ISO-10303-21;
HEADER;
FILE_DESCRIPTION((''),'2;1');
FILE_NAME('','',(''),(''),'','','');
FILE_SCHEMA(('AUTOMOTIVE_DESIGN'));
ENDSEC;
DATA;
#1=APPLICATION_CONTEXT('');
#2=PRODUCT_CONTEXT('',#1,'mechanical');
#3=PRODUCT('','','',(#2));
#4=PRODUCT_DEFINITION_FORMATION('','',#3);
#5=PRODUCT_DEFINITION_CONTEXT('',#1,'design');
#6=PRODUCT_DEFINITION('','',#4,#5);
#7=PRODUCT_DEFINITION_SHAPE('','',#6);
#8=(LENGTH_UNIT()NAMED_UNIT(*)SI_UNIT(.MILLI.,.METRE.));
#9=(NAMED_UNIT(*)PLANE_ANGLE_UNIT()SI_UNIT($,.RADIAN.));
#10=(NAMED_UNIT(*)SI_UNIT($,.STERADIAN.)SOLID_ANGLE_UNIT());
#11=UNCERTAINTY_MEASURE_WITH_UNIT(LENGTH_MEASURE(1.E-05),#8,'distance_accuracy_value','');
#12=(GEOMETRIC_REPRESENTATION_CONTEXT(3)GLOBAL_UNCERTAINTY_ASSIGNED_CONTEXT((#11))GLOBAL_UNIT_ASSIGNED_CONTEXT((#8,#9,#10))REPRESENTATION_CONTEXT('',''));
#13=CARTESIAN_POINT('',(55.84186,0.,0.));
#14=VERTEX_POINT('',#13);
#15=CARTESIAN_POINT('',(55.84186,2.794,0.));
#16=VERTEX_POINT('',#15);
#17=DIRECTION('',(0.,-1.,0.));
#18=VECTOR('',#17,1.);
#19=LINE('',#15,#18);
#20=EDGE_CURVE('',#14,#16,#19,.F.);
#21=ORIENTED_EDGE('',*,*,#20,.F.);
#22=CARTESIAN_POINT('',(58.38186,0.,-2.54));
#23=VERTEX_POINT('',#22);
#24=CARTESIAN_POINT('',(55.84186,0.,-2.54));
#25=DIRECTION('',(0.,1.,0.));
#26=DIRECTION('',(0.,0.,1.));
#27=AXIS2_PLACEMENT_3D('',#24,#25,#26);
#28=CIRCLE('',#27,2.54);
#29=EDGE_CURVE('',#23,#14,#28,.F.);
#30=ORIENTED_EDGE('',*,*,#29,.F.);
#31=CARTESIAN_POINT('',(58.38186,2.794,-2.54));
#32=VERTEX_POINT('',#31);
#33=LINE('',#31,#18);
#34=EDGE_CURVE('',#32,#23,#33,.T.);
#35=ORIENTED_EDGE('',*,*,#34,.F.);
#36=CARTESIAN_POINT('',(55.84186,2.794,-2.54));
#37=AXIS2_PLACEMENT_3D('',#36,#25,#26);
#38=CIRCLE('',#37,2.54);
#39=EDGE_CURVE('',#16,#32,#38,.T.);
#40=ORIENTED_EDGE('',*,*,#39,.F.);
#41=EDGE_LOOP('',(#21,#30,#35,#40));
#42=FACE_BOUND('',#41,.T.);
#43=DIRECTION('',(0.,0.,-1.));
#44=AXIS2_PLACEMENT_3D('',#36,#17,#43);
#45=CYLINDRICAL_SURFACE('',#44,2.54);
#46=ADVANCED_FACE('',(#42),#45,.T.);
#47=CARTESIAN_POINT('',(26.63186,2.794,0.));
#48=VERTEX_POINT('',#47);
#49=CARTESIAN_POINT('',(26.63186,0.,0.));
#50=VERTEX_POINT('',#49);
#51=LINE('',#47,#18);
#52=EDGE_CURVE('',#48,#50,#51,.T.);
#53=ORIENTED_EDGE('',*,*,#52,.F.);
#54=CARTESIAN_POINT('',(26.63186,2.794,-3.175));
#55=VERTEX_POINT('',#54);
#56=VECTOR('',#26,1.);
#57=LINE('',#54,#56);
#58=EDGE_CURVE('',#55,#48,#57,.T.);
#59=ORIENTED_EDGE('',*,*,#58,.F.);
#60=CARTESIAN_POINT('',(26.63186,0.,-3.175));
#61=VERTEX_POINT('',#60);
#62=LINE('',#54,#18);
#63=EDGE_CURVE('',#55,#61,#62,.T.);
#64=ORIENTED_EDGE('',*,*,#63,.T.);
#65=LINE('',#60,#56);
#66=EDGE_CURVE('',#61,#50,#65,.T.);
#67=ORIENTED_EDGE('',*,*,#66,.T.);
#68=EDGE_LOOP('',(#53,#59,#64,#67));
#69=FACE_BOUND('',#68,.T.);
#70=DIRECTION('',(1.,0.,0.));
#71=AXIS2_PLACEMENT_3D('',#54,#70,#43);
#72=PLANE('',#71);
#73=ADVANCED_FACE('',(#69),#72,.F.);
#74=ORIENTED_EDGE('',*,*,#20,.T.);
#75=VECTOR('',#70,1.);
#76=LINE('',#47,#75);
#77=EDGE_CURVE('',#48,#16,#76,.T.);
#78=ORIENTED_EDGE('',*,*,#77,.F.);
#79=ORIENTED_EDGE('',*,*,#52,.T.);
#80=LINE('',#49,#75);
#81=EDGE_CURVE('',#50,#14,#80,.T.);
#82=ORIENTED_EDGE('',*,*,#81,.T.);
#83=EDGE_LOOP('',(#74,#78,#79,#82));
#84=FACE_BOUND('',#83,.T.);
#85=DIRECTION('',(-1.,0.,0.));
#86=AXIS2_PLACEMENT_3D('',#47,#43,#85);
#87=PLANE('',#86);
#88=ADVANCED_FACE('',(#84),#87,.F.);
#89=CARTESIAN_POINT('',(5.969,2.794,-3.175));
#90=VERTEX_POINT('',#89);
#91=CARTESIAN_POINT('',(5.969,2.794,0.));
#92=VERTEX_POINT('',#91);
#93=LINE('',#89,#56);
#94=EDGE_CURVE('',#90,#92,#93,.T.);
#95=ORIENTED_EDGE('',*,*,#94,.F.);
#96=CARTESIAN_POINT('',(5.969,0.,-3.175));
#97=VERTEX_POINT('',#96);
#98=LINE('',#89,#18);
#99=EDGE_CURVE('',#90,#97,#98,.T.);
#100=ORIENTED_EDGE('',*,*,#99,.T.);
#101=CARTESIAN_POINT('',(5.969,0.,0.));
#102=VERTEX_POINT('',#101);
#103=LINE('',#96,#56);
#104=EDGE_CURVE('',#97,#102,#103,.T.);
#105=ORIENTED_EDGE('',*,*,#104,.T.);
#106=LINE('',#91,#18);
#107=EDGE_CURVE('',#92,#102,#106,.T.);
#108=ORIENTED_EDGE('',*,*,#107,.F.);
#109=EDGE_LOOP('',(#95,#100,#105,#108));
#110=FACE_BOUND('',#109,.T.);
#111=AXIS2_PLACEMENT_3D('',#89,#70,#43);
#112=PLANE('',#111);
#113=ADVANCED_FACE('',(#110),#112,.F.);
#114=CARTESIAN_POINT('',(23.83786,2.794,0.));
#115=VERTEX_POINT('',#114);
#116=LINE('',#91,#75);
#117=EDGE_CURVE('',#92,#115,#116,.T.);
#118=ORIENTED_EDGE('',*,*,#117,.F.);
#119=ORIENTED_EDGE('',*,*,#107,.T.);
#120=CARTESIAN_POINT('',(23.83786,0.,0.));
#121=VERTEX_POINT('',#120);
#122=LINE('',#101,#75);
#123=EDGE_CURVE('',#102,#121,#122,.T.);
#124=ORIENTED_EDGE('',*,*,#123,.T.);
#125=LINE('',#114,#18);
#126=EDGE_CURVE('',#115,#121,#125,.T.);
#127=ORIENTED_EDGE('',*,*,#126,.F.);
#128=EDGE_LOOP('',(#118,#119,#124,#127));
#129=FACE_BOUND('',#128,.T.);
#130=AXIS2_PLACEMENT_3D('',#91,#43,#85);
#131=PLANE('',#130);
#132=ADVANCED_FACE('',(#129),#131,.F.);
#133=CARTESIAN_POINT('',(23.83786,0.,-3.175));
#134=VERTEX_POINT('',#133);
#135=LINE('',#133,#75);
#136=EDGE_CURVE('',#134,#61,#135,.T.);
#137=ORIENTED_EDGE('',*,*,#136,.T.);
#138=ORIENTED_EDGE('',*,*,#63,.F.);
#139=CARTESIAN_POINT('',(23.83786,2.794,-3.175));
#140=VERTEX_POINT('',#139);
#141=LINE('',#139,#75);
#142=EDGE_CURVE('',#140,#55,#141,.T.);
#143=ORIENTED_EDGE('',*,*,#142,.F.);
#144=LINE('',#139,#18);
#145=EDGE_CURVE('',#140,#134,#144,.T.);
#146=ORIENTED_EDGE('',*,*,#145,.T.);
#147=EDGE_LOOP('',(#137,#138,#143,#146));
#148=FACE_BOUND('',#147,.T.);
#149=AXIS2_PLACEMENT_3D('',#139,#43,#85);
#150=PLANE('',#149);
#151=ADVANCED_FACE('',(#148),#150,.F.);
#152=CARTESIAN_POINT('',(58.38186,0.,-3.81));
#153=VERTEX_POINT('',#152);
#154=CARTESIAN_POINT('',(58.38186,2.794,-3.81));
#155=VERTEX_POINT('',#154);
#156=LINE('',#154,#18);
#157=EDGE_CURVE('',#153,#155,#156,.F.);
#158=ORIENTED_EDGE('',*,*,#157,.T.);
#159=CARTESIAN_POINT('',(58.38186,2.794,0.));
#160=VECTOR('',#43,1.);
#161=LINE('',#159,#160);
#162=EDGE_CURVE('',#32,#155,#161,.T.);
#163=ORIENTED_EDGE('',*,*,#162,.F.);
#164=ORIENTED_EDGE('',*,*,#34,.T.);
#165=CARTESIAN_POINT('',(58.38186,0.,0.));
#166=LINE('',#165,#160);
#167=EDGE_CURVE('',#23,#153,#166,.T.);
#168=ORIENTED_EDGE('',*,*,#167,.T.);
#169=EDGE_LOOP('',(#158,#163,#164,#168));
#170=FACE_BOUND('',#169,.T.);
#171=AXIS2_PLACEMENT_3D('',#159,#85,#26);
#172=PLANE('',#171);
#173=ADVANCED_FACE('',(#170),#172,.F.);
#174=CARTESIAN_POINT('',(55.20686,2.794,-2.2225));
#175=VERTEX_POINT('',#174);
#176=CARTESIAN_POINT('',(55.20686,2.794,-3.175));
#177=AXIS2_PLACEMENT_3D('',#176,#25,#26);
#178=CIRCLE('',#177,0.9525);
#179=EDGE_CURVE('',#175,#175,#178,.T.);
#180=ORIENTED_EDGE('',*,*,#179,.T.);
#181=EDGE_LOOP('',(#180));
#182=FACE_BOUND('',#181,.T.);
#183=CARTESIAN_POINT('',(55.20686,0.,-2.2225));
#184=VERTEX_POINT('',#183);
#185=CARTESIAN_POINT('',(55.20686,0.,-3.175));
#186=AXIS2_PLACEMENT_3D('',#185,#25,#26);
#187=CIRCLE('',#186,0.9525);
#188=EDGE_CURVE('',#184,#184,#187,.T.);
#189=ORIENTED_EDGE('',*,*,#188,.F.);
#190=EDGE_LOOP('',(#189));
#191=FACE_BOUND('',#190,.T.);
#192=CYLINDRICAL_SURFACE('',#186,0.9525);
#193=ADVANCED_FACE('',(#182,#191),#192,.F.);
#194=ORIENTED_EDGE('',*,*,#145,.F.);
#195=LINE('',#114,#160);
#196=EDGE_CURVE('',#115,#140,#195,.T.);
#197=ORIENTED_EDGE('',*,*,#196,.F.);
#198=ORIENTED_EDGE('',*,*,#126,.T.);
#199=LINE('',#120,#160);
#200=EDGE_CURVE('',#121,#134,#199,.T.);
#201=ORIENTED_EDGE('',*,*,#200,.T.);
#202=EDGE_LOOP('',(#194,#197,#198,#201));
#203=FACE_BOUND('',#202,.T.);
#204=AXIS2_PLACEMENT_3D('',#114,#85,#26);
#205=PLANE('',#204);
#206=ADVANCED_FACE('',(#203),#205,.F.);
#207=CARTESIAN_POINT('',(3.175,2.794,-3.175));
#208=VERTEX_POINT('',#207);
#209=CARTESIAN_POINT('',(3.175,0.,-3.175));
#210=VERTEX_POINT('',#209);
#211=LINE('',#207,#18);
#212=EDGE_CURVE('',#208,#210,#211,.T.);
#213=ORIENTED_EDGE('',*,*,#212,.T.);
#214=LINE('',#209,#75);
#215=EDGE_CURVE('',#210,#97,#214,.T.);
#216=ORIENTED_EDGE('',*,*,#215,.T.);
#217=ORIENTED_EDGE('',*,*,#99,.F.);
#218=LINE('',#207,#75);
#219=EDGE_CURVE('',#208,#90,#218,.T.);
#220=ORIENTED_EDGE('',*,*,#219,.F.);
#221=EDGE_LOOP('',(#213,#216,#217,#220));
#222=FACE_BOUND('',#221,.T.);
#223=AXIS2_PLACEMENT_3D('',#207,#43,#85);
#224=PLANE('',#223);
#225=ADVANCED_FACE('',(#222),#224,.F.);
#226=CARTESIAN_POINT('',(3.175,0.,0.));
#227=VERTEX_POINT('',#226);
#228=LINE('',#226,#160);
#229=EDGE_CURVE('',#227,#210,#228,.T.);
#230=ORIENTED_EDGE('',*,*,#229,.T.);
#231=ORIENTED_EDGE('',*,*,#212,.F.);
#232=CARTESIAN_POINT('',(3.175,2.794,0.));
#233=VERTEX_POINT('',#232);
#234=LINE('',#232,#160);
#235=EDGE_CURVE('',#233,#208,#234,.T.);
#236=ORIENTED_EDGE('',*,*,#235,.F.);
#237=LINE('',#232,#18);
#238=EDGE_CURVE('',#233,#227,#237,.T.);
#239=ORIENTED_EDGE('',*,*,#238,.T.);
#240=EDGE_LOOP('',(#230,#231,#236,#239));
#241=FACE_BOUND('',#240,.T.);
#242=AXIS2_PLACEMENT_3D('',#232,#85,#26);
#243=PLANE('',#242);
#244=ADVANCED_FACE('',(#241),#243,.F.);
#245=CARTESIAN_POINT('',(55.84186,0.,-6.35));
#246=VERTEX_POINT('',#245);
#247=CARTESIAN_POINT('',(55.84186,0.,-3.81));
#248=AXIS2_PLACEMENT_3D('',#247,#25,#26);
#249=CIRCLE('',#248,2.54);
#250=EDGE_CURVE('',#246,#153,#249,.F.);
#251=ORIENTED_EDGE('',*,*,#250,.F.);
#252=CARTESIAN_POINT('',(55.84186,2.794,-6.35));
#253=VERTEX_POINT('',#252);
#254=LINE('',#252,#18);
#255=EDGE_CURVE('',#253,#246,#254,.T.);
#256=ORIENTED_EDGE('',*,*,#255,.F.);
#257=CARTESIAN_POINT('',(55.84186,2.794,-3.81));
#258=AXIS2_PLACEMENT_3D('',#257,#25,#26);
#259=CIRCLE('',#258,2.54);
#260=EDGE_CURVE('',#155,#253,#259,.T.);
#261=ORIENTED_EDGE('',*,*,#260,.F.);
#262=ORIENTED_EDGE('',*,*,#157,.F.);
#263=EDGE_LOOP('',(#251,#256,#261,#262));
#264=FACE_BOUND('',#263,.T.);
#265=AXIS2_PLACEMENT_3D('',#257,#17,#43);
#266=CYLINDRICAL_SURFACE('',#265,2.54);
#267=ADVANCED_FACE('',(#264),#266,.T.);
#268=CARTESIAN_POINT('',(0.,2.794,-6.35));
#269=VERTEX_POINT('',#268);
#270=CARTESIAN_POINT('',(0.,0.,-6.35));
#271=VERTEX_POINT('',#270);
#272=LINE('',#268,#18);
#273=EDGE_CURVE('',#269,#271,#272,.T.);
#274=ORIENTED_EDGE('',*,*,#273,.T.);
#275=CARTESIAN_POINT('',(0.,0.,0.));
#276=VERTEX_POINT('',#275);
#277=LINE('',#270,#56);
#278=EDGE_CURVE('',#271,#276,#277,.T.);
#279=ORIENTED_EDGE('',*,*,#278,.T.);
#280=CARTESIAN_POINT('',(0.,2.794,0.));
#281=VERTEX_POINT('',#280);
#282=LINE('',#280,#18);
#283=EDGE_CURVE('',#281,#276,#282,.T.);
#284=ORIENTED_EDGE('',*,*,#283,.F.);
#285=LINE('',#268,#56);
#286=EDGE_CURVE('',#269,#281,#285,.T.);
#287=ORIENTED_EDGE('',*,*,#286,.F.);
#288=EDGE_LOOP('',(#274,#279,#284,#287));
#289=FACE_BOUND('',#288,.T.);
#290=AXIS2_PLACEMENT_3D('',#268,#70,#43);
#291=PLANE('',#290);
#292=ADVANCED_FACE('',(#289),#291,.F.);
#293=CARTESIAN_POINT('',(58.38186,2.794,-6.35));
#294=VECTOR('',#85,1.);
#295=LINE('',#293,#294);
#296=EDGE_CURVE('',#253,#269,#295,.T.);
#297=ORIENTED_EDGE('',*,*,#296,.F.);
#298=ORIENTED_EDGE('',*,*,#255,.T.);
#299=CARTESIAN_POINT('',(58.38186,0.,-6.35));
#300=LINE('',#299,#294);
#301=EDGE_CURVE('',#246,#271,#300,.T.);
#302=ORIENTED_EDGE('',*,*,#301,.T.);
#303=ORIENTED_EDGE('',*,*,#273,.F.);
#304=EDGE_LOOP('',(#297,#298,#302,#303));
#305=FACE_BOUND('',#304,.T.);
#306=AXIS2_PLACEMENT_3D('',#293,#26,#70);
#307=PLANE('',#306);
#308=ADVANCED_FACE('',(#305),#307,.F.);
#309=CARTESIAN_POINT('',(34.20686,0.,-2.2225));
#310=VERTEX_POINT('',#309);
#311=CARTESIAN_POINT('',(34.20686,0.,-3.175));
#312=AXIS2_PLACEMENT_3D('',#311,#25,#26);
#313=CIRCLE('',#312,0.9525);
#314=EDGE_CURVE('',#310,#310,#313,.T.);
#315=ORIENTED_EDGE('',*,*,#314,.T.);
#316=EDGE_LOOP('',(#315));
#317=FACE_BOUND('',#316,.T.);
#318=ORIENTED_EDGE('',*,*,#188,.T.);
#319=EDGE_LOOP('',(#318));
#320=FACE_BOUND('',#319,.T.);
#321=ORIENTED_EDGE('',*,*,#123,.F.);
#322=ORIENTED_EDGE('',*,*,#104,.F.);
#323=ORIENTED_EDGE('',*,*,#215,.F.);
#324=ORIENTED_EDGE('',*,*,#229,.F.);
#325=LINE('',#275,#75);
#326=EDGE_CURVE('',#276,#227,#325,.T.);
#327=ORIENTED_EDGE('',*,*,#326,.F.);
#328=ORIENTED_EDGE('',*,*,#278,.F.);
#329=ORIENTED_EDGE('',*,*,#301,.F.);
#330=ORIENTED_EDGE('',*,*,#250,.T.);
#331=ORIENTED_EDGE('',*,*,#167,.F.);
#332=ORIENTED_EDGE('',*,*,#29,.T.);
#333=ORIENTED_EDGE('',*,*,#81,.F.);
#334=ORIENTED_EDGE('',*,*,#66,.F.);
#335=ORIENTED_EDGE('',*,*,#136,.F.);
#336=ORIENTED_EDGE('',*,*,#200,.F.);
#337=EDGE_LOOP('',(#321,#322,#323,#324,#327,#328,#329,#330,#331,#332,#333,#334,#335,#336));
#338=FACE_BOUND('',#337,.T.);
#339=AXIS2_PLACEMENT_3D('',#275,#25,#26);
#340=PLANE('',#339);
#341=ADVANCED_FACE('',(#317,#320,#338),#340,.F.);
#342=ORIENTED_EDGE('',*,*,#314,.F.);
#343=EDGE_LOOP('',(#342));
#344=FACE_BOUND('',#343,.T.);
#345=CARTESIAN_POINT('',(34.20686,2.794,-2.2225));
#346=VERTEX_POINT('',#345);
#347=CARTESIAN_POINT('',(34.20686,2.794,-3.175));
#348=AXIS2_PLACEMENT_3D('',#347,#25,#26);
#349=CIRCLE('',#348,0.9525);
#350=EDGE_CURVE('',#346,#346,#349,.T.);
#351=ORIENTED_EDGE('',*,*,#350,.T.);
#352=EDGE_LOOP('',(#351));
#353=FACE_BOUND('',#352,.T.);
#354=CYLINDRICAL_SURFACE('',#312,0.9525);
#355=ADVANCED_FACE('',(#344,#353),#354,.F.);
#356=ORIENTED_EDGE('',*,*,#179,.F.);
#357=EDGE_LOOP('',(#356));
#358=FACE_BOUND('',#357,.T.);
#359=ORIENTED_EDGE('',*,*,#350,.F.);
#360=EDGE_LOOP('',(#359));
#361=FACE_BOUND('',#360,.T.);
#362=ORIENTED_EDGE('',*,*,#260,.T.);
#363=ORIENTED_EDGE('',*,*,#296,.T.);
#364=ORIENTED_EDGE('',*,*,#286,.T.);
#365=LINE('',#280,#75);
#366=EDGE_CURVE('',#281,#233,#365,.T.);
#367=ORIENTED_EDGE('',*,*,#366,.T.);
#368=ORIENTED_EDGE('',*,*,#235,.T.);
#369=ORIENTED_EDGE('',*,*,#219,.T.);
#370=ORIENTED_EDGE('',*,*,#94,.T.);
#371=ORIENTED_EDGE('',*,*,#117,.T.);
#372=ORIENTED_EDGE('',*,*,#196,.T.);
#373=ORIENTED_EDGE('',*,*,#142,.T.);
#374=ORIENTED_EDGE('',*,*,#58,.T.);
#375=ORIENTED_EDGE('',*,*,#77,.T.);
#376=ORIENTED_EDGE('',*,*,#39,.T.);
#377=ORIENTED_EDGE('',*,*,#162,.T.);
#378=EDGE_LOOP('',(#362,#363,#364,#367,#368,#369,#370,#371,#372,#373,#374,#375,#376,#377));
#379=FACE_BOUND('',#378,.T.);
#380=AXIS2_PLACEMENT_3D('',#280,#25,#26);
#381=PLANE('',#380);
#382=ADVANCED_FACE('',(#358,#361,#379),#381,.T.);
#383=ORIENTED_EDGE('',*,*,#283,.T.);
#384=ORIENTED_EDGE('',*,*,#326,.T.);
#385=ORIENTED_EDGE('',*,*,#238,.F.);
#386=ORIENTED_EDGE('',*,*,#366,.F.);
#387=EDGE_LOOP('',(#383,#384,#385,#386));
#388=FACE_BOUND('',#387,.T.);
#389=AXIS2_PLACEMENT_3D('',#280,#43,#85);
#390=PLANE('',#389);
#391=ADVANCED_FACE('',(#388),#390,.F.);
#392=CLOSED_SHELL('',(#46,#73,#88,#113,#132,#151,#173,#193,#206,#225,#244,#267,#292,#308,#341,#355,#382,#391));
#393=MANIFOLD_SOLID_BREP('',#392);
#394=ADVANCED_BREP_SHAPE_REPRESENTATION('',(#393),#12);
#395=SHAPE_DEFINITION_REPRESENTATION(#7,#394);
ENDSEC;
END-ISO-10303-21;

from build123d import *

# Parameters (mm, degrees)
BOSS_EXTRUDE1_DEPTH = 2.794
SKETCH2_R           = 0.9525
CUT_EXTRUDE1_DEPTH  = 59.792605897
FILLET2_R           = 2.54


with BuildPart() as part:
    # Sketch1 → Boss-Extrude1 (new body)
    with BuildSketch(Plane(origin=(0, 0, 0), x_dir=(1, 0, 0), z_dir=(0, 1, 0))):
        Polygon((0, 0), (3.175, 0), (3.175, 3.175), (5.969, 3.175), (5.969, 0), (23.837859958, 0), (23.837859958, 3.175), (26.631859958, 3.175), (26.631859958, 0), (58.381859958, 0), (58.381859958, 6.35), (0, 6.35), align=None)
    extrude(amount=BOSS_EXTRUDE1_DEPTH)

    # Sketch2 → Cut-Extrude1 (cut, through all)
    with BuildSketch(Plane(origin=(0, 2.794, 0), x_dir=(1, 0, 0), z_dir=(0, 1, 0))):
        with Locations(Location((55.206859958, 3.175, 0), (0, 0, 270))):
            Circle(SKETCH2_R)
        with Locations(Location((34.206859958, 3.175, 0), (0, 0, 270))):
            Circle(SKETCH2_R)
    extrude(amount=-CUT_EXTRUDE1_DEPTH, mode=Mode.SUBTRACT)

    # Fillet2
    fillet2_edges = [part.edges().sort_by_distance(p)[0] for p in [
        (58.381859958, 1.397, -6.35),
        (58.381859958, 1.397, 0),
    ]]
    fillet(fillet2_edges, radius=FILLET2_R)


solid = part.part
